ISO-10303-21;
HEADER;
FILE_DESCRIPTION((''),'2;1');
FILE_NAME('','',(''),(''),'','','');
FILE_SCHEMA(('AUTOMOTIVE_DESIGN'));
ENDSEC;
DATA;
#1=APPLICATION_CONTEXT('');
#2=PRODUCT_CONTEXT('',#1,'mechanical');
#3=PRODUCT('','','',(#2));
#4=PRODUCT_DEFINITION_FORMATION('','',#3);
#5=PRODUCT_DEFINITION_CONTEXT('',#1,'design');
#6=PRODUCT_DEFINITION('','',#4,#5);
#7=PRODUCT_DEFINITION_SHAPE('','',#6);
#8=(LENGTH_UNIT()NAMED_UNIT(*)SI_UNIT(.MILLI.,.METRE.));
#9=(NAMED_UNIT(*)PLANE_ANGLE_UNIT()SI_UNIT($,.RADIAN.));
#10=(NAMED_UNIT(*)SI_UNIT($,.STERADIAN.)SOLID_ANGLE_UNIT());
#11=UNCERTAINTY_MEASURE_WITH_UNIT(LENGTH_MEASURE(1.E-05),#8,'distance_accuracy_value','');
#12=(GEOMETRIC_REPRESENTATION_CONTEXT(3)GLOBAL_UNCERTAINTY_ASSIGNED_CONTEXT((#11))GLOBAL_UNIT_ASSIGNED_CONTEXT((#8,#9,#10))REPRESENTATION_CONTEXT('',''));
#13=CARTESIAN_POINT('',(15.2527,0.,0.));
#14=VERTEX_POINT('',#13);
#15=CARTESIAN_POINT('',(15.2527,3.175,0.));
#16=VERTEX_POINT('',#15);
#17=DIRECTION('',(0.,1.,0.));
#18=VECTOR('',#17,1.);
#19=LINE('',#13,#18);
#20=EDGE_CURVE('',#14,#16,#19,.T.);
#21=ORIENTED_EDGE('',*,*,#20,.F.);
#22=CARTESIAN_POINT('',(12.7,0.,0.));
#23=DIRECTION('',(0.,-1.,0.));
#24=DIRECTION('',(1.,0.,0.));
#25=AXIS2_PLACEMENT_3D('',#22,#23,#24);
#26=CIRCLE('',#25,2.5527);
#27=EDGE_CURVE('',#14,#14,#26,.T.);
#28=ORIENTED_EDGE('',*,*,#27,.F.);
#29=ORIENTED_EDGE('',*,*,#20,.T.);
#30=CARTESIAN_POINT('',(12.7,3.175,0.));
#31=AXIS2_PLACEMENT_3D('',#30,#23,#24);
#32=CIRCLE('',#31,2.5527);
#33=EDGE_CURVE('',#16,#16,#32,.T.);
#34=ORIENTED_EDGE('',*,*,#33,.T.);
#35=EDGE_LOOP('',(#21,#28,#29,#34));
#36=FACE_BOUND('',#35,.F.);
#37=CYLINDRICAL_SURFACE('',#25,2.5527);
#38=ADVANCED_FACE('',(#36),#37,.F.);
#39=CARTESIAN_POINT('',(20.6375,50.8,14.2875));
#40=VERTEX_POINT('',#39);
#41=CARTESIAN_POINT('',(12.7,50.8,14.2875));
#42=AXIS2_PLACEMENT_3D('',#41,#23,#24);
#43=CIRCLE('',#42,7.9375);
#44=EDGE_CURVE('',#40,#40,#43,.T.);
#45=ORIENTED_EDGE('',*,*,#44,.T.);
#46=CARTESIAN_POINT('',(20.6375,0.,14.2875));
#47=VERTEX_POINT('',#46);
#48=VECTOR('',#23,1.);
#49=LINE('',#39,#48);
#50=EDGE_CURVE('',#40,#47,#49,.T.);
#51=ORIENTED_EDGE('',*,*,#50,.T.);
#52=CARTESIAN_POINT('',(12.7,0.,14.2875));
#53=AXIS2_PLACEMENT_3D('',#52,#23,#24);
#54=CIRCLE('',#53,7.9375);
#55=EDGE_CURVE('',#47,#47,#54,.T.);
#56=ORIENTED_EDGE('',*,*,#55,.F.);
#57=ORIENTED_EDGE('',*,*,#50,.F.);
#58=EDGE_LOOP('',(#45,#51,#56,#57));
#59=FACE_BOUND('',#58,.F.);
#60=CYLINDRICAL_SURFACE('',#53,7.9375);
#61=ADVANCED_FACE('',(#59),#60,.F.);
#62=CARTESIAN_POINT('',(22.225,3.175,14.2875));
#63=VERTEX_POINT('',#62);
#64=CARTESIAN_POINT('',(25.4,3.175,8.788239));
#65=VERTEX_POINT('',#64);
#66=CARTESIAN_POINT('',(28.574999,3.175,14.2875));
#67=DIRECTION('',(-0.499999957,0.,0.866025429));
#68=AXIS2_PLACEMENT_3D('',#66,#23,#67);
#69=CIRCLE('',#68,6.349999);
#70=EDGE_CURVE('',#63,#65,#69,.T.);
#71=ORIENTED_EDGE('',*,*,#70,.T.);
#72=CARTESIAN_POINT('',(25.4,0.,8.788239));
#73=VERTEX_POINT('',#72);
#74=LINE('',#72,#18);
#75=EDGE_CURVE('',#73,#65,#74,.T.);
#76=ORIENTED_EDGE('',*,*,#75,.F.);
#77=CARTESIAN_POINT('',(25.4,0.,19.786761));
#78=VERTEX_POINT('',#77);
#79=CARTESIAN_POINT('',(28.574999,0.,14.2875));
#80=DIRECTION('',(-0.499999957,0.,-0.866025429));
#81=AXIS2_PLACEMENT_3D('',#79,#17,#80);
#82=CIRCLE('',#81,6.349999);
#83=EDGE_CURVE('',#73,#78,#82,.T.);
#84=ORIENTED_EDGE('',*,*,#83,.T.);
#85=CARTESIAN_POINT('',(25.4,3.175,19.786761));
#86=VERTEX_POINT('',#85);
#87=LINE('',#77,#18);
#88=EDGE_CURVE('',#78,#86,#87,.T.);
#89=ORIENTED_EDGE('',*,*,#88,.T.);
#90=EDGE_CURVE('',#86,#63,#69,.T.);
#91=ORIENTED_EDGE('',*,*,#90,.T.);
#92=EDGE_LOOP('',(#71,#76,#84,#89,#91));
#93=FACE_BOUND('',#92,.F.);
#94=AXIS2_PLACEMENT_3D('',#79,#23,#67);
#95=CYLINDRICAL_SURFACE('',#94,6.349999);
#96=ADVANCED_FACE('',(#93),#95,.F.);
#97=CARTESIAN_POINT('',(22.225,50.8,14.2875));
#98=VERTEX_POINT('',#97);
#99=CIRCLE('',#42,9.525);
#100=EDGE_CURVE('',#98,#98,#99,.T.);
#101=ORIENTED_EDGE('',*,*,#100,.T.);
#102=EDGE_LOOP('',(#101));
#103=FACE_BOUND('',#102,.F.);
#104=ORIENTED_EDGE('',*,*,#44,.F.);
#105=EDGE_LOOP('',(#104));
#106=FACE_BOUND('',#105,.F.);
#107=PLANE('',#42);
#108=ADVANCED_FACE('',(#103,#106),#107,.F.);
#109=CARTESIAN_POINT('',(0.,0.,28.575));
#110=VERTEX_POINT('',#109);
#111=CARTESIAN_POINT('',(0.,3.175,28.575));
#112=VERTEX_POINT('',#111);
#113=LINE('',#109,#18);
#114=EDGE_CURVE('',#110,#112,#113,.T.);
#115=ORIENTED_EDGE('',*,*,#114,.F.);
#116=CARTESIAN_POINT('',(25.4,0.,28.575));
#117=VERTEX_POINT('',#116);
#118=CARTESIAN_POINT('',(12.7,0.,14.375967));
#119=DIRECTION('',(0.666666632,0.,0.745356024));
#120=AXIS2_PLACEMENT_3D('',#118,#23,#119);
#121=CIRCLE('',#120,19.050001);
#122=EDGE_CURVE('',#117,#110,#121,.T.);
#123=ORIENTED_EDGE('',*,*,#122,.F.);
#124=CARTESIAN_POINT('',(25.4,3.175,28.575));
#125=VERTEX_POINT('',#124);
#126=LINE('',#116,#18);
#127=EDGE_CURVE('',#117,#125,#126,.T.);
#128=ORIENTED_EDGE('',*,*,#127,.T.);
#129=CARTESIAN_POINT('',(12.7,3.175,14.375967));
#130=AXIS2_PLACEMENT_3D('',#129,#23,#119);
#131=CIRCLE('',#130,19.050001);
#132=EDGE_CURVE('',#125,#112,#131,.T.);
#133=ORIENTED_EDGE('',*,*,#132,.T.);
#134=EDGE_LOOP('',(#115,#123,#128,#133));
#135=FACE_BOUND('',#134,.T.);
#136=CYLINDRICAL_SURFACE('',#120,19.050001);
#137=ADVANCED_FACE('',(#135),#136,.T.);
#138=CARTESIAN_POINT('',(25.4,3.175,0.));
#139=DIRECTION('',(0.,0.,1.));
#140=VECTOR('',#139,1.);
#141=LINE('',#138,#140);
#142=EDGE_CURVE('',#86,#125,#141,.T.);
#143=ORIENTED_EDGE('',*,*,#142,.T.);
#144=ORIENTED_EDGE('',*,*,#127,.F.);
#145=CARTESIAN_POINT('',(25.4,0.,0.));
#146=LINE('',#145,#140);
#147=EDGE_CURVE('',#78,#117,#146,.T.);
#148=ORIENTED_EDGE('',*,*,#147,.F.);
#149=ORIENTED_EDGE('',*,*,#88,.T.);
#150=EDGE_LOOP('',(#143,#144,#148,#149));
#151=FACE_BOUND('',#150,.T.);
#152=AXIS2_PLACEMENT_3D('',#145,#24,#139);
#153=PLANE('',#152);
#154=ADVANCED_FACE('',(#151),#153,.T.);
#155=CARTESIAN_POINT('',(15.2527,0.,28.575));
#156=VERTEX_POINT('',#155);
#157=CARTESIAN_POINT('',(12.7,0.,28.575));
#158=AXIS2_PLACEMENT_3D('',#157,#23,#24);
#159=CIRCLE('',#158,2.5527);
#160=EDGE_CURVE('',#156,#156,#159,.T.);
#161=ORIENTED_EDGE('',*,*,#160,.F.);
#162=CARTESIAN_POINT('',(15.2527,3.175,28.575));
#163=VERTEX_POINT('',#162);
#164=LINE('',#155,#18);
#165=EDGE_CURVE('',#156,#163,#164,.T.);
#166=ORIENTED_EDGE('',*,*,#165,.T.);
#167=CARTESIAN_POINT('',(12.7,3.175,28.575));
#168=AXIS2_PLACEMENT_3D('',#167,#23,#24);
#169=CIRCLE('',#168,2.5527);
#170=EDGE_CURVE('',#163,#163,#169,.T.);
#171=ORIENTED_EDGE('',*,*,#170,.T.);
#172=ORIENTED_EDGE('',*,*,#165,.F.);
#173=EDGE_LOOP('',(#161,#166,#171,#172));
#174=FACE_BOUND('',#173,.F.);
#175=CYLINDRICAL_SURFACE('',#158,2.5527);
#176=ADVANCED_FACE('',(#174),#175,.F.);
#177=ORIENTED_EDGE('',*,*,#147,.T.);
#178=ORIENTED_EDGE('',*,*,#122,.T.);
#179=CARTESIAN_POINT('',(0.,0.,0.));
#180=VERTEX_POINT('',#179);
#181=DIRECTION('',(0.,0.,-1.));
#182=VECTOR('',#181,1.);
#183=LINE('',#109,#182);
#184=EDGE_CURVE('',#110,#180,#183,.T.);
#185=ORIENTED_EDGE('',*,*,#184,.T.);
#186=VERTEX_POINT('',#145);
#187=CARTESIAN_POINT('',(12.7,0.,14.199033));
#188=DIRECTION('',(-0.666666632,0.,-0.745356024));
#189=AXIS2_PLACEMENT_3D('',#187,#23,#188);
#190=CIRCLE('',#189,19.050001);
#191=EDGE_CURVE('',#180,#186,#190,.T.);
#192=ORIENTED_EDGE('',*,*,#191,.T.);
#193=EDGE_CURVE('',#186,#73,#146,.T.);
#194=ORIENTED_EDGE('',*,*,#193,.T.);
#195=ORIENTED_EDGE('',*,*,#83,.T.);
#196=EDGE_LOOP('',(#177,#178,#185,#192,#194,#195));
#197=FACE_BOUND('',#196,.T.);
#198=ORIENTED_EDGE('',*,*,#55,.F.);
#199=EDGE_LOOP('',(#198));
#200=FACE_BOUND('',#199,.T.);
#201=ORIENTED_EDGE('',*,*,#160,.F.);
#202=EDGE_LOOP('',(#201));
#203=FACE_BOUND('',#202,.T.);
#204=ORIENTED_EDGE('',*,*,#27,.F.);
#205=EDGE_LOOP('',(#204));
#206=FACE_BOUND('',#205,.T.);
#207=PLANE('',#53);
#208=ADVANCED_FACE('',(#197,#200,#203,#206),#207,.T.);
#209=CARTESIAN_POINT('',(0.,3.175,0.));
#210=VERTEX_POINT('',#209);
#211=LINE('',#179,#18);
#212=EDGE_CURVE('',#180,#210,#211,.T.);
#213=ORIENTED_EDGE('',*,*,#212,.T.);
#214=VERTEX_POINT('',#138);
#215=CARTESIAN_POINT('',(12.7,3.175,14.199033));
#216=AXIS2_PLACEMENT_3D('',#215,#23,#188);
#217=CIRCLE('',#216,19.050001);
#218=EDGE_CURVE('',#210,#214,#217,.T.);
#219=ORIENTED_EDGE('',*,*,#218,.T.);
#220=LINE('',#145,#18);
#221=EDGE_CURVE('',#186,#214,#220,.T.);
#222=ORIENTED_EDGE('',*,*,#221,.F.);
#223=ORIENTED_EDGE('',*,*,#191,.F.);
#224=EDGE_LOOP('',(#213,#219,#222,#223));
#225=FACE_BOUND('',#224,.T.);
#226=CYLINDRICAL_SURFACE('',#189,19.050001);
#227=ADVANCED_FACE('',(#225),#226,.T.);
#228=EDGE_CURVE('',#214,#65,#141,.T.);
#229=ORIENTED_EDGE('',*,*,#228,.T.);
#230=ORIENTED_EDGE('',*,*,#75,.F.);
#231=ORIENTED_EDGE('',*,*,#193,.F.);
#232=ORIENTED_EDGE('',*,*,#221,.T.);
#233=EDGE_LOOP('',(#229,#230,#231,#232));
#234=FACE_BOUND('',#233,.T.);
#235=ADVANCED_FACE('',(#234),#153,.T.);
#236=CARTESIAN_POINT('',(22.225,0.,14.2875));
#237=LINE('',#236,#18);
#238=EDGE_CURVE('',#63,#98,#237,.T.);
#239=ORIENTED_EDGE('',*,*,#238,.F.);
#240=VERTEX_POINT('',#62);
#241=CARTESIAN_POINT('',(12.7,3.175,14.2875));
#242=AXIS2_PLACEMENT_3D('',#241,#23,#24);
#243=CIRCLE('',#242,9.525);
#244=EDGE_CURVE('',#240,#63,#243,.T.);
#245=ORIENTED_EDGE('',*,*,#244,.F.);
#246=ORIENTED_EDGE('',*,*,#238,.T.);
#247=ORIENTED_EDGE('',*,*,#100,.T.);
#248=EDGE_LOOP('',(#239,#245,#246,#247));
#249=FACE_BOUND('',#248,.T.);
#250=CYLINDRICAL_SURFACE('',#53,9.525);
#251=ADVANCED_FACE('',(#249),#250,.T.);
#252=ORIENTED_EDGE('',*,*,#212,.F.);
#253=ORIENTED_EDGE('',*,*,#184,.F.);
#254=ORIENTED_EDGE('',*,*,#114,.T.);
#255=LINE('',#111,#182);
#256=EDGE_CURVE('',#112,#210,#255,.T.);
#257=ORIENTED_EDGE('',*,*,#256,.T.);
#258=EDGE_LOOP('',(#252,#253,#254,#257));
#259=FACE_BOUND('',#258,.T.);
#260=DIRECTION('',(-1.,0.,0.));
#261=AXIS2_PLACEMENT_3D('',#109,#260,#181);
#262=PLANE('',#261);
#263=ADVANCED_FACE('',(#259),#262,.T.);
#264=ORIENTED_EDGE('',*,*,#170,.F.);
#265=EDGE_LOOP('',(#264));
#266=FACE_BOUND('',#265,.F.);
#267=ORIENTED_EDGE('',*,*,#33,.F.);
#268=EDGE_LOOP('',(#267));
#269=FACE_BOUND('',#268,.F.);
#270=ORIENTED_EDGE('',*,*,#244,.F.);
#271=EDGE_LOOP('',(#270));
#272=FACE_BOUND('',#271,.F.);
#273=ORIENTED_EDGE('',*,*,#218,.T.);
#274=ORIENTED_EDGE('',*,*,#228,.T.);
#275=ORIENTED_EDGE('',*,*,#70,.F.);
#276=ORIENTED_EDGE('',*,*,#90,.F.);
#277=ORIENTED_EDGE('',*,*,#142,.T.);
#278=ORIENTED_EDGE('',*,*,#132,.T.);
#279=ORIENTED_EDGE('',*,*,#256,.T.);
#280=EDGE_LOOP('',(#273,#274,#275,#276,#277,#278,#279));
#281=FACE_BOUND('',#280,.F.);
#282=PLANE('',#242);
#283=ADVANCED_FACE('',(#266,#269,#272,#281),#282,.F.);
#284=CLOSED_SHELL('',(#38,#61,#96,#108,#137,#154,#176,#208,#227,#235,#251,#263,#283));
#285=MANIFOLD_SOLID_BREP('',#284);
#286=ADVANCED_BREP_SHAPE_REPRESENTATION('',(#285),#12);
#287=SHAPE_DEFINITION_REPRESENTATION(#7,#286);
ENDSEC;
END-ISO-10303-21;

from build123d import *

# Parameters (mm, degrees)
F1_DEPTH = 3.175
F2_R     = 2.5527
F2_R_2   = 7.9375
F3_DEPTH = 3.176
F4_R     = 9.525
F4_R_2   = 7.9375
F5_DEPTH = 50.8


with BuildPart() as f1:
    # F0 (on Front) → F1 (new body)
    with BuildSketch(Plane.XZ):
        with BuildLine():
            Line((0, 28.575), (0, 0))
            ThreePointArc((0, 0), (12.7, -4.850968), (25.4, 0))
            Line((25.4, 0), (25.4, 28.575))
            ThreePointArc((25.4, 28.575), (12.7, 33.425968), (0, 28.575))
        make_face()
    extrude(amount=-F1_DEPTH)

    # F2 (on face) → F3 (cut, through all)
    with BuildSketch(Plane.XZ):
        with Locations((12.7, 28.575)):
            Circle(F2_R)
        with Locations((12.7, 0)):
            Circle(F2_R)
        with Locations((12.7, 14.2875)):
            Circle(F2_R_2)
        with BuildLine():
            ThreePointArc((25.4, 19.786761), (22.225, 14.2875), (25.4, 8.788239))
            Line((25.4, 8.788239), (25.4, 19.786761))
        make_face()
    extrude(amount=-F3_DEPTH, mode=Mode.SUBTRACT)

    # F4 (on face) → F5 (join)
    with BuildSketch(Plane.XZ):
        with Locations((12.7, 14.2875)):
            Circle(F4_R)
        with Locations((12.7, 14.2875)):
            Circle(F4_R_2, mode=Mode.SUBTRACT)
    extrude(amount=-F5_DEPTH)


solid = f1.part
